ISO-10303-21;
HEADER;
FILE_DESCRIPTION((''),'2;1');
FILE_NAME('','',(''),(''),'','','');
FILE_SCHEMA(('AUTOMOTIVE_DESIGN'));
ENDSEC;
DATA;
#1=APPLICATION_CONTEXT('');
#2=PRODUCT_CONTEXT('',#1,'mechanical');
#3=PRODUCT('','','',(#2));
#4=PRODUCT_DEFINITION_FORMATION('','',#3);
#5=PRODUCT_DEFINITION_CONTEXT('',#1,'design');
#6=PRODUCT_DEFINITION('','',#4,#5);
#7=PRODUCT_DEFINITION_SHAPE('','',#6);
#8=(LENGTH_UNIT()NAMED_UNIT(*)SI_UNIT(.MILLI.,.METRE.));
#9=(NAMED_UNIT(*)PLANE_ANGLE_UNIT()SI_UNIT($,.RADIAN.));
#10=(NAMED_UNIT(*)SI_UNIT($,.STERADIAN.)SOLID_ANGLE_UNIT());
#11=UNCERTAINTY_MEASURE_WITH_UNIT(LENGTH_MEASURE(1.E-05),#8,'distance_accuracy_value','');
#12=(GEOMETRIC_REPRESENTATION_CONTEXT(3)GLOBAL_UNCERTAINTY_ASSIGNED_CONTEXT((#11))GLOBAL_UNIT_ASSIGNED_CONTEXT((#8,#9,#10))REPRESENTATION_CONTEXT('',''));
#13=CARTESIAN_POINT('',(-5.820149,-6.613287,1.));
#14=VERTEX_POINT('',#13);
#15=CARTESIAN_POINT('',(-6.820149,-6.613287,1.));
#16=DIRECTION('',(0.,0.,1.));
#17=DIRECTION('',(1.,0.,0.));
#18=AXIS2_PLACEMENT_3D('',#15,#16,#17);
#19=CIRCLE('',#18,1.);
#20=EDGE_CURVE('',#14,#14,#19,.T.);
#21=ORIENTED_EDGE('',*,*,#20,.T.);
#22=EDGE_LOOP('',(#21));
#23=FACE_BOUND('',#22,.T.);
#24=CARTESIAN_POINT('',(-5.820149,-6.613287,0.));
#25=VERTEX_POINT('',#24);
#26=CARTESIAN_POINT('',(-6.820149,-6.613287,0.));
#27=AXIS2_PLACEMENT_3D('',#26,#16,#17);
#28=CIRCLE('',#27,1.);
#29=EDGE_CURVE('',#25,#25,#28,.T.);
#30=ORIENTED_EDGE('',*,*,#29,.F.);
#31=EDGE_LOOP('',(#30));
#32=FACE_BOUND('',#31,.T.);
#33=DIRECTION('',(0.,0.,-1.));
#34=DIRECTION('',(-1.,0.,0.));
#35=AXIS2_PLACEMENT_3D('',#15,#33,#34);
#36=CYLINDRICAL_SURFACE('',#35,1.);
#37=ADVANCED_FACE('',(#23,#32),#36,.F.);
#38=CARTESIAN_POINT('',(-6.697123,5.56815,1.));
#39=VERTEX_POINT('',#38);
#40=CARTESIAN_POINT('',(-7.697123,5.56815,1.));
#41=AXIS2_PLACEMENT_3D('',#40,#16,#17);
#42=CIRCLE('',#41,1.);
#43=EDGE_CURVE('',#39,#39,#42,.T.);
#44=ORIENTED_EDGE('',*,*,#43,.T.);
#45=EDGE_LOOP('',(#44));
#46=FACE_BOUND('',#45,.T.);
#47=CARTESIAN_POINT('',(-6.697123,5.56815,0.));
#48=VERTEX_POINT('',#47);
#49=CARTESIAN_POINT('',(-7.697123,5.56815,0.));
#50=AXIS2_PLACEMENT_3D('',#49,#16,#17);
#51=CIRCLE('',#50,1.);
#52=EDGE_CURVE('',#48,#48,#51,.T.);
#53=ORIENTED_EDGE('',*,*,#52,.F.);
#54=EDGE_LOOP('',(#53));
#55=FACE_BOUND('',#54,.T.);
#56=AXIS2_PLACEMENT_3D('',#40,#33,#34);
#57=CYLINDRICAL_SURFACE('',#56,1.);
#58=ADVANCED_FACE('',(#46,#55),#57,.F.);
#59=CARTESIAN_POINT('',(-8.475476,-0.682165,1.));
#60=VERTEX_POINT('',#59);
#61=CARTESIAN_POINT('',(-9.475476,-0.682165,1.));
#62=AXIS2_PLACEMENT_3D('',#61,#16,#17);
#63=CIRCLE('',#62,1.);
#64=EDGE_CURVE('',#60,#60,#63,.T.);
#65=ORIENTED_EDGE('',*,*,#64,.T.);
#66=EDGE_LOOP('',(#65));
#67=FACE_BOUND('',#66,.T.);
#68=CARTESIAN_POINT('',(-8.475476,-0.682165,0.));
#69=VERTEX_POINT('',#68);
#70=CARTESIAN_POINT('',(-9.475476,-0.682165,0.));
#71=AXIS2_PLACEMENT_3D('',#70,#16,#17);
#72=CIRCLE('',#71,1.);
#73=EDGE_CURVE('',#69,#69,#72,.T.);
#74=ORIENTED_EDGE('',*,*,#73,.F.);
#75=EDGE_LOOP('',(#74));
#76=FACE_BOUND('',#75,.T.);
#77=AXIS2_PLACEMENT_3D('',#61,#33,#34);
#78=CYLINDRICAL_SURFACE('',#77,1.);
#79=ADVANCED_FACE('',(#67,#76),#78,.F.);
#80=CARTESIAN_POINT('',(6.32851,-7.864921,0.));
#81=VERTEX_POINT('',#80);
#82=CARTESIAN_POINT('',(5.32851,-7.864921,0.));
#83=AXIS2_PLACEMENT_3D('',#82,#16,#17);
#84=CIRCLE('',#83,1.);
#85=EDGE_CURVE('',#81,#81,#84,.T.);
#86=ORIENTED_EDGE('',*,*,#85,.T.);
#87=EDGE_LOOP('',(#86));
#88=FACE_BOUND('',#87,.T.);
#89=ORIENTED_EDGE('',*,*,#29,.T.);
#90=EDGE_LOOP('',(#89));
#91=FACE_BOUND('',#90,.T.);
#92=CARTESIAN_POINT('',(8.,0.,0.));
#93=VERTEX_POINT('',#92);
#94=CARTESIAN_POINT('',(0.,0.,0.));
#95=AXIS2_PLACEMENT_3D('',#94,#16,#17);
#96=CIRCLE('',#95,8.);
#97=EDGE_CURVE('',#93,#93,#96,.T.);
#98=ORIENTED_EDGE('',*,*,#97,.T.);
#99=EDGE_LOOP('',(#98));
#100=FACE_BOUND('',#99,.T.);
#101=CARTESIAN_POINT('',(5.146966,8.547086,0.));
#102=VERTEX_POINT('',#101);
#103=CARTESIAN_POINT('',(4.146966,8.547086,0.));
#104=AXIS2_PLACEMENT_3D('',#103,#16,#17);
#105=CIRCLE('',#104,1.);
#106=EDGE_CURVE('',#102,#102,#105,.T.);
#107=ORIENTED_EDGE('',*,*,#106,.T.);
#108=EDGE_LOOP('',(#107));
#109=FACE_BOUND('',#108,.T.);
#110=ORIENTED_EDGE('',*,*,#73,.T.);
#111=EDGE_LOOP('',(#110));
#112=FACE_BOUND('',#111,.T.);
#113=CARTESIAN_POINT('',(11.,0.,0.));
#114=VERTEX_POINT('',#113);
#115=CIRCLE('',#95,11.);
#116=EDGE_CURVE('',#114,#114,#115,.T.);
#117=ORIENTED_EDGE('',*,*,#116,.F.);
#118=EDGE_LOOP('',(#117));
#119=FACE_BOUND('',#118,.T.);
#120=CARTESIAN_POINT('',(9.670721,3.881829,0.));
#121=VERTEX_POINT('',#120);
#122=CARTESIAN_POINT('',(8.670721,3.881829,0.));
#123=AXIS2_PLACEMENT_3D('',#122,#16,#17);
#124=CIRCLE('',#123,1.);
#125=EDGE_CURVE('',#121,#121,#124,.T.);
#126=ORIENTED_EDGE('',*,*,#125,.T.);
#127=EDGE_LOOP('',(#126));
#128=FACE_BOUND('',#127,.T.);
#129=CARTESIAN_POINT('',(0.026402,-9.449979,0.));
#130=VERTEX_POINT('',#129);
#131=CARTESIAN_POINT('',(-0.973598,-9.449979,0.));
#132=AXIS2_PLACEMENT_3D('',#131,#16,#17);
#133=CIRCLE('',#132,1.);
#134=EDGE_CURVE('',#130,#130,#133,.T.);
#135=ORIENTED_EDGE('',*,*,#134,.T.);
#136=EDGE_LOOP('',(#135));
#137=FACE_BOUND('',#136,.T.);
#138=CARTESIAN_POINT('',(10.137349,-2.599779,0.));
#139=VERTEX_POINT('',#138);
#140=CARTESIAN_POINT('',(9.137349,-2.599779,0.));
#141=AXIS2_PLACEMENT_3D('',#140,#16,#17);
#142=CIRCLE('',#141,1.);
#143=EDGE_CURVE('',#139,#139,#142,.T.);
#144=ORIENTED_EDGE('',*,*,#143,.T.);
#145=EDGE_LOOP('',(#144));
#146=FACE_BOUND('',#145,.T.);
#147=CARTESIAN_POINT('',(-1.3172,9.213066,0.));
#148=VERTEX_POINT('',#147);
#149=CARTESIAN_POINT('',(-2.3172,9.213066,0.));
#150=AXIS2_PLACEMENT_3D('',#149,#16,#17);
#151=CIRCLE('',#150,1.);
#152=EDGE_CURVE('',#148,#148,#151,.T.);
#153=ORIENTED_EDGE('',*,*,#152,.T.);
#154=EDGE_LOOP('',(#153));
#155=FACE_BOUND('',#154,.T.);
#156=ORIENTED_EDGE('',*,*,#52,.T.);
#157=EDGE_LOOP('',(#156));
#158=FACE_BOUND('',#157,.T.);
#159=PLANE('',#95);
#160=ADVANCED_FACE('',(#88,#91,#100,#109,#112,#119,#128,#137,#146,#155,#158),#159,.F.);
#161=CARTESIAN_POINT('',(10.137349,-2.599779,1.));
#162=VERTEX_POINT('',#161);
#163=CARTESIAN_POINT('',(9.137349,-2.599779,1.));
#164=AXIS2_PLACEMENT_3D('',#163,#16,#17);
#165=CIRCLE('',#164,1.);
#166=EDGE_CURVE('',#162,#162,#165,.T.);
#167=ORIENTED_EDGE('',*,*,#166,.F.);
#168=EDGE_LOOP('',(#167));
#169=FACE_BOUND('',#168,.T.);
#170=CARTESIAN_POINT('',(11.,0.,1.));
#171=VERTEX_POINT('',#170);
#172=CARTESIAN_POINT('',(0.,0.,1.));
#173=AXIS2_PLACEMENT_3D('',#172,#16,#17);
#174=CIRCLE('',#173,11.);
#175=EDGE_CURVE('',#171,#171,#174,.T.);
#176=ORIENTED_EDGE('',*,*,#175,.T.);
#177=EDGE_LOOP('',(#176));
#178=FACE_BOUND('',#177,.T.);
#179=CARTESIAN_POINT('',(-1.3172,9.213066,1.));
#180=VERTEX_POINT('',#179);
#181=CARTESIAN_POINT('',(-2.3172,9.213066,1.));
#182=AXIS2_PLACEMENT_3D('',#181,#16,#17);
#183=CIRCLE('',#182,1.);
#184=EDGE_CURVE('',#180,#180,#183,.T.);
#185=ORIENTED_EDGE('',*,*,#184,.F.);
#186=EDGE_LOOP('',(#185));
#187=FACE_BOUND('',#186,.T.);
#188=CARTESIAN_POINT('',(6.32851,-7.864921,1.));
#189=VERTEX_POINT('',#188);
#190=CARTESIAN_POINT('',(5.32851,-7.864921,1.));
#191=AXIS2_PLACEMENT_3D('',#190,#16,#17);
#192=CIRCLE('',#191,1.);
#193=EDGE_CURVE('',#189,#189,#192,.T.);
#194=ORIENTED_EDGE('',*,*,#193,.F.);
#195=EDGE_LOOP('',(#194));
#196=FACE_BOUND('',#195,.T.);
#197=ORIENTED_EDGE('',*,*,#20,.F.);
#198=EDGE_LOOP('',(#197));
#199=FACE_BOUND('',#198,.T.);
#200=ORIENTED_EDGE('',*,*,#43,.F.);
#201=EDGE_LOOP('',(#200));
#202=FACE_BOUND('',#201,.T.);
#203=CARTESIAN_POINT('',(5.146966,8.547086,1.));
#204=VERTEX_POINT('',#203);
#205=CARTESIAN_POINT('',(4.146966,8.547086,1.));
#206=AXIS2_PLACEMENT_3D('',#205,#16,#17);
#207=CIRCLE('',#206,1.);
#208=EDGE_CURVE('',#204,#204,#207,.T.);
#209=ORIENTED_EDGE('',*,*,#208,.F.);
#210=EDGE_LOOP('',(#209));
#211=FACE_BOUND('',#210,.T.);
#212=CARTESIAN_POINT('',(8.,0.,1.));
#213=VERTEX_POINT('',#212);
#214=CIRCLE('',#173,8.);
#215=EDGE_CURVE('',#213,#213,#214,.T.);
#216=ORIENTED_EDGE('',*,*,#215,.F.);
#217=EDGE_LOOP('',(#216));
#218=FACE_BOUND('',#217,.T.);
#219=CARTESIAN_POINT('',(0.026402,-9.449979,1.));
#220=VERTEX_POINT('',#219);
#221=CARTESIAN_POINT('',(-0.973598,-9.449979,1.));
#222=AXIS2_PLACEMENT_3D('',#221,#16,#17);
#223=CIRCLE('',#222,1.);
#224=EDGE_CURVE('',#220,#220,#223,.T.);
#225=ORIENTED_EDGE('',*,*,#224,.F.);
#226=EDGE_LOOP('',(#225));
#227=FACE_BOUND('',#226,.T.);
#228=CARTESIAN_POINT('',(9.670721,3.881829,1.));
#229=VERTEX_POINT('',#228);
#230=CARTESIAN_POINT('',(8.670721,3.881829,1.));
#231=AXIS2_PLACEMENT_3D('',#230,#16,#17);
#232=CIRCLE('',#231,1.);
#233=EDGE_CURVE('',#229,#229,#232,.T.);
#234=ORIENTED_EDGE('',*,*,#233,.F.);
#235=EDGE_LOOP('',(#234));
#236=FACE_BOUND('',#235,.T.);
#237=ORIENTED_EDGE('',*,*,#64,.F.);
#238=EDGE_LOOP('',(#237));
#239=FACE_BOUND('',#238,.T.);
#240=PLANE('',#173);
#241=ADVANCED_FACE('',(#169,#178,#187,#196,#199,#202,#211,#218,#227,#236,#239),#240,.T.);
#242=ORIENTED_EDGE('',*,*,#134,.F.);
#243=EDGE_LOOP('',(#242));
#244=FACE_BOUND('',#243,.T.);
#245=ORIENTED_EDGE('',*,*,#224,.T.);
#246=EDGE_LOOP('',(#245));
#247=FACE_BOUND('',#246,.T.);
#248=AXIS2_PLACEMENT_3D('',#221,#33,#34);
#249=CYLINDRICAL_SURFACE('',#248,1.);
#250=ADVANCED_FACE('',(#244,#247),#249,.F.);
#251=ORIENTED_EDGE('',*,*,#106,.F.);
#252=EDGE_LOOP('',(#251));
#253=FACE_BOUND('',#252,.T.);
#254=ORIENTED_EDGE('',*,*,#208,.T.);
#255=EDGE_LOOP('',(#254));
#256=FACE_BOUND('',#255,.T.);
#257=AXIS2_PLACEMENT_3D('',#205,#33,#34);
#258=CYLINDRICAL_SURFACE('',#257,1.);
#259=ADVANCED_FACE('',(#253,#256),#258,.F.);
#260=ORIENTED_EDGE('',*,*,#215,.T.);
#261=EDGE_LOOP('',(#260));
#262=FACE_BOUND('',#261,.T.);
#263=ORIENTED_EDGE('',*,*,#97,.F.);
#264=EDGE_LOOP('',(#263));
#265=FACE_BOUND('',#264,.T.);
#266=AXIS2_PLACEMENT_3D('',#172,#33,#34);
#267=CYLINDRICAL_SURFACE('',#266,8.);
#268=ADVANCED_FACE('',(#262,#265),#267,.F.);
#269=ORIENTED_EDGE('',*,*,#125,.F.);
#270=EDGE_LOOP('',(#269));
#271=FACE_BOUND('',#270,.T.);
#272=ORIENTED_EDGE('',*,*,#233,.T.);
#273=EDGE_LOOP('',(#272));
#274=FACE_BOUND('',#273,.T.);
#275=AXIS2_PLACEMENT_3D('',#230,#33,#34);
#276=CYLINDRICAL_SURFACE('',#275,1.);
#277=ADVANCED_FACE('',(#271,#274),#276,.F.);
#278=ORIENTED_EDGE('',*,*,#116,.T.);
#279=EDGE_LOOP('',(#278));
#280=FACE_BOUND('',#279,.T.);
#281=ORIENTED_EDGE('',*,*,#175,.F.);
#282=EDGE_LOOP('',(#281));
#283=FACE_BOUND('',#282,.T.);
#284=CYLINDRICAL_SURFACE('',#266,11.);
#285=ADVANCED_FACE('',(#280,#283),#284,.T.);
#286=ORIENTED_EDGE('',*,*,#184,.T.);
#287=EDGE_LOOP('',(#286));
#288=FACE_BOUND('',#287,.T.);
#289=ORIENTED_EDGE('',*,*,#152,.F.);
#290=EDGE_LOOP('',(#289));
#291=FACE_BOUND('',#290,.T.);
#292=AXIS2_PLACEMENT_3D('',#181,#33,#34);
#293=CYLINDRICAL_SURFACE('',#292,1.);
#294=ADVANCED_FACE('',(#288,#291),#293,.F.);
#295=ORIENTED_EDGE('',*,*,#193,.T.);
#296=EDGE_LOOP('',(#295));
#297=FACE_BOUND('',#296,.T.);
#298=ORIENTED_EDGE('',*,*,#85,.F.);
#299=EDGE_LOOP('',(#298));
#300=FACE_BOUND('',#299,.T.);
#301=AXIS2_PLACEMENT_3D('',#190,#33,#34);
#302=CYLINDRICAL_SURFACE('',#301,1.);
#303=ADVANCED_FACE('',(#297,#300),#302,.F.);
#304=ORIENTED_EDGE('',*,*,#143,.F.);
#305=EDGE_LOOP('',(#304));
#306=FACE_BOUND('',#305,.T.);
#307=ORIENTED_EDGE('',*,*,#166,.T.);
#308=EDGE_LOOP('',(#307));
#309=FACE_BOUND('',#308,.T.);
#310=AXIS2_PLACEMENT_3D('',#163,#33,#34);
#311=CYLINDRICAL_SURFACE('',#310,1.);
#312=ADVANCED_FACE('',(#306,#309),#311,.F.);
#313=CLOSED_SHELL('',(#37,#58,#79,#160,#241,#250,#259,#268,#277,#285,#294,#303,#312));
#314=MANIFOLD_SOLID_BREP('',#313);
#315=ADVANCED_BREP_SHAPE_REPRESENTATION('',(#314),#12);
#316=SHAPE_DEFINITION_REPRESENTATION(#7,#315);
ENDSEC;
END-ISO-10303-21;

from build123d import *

# Parameters (mm, degrees)
SKETCH1_R           = 11
SKETCH1_R_2         = 8
SKETCH1_R_3         = 1
BOSS_EXTRUDE1_DEPTH = 1


with BuildPart() as part:
    # Sketch1 → Boss-Extrude1 (new body)
    with BuildSketch(Plane.XY):
        Circle(SKETCH1_R)
        Circle(SKETCH1_R_2, mode=Mode.SUBTRACT)
        with Locations((-2.317200388, 9.21306585)):
            Circle(SKETCH1_R_3, mode=Mode.SUBTRACT)
        with Locations((4.146966095, 8.547085597)):
            Circle(SKETCH1_R_3, mode=Mode.SUBTRACT)
        with Locations((8.670721054, 3.881829003)):
            Circle(SKETCH1_R_3, mode=Mode.SUBTRACT)
        with Locations((9.137349267, -2.599778524)):
            Circle(SKETCH1_R_3, mode=Mode.SUBTRACT)
        with Locations((5.328510208, -7.864920786)):
            Circle(SKETCH1_R_3, mode=Mode.SUBTRACT)
        with Locations((-0.973597997, -9.449979203)):
            Circle(SKETCH1_R_3, mode=Mode.SUBTRACT)
        with Locations((-6.820148879, -6.613287327)):
            Circle(SKETCH1_R_3, mode=Mode.SUBTRACT)
        with Locations((-9.475476303, -0.682164812)):
            Circle(SKETCH1_R_3, mode=Mode.SUBTRACT)
        with Locations((-7.697123057, 5.5681502)):
            Circle(SKETCH1_R_3, mode=Mode.SUBTRACT)
    extrude(amount=BOSS_EXTRUDE1_DEPTH)


solid = part.part
